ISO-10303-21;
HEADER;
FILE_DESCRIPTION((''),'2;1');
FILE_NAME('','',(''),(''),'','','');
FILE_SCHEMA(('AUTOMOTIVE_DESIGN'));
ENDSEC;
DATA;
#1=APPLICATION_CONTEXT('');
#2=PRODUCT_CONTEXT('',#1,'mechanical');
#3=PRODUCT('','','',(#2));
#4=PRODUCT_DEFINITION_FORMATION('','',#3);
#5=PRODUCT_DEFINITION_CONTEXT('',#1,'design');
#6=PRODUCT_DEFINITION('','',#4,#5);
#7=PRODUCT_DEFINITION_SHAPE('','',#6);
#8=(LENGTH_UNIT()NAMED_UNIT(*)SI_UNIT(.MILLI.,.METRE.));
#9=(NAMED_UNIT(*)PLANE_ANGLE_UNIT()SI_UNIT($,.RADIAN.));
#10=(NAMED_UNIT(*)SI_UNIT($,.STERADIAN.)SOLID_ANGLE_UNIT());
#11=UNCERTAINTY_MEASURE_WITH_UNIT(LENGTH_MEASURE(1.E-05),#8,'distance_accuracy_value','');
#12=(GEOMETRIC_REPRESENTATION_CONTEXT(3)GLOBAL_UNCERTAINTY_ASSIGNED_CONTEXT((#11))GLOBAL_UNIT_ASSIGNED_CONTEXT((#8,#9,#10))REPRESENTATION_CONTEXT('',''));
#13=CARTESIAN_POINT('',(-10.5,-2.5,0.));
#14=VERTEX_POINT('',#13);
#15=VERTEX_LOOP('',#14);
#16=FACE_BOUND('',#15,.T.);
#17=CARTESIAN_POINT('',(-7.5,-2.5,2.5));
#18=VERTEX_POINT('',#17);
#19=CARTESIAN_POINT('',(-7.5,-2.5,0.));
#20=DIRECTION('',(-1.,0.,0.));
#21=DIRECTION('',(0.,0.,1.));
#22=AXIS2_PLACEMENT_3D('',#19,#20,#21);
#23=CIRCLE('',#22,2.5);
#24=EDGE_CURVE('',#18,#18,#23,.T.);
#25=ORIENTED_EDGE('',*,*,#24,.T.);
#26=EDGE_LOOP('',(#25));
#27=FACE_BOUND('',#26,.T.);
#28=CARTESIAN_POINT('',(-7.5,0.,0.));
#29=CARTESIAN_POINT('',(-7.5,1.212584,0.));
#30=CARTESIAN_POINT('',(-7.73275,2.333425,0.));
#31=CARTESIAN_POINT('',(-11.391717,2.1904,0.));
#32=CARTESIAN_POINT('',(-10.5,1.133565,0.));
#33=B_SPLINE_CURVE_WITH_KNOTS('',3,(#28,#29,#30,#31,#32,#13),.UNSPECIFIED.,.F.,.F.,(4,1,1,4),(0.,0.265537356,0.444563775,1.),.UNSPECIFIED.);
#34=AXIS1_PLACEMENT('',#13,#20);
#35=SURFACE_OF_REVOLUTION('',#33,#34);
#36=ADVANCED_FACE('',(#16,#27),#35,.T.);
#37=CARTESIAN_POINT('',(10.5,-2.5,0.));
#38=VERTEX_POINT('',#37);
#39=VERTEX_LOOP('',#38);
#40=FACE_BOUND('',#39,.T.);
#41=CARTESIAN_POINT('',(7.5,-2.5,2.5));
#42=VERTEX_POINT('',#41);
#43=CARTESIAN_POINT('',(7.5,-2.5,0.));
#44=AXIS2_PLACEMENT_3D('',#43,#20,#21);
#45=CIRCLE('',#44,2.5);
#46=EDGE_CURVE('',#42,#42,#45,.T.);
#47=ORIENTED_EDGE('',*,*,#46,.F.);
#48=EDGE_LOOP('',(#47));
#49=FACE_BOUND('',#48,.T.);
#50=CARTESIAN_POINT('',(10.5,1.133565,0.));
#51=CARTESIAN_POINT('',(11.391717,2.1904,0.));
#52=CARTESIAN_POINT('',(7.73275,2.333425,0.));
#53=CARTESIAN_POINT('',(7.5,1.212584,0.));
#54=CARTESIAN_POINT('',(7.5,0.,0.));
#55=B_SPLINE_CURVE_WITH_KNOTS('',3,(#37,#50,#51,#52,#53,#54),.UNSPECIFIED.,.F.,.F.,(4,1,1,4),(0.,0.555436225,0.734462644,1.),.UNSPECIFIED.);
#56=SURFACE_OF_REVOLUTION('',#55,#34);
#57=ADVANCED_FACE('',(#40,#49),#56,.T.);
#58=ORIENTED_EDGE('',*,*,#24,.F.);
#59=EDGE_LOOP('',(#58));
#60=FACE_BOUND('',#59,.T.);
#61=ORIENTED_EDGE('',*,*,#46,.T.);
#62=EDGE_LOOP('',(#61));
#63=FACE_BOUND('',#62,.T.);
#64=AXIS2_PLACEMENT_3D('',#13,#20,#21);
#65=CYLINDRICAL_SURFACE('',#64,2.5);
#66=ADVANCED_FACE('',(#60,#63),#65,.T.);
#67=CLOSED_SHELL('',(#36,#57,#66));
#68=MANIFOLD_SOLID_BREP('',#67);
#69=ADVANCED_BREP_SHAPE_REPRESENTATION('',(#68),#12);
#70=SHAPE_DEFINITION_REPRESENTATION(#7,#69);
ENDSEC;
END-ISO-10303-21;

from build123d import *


with BuildPart() as part:
    # Sketch1 → Revolve1 (revolve)
    with BuildSketch(Plane.XY):
        with BuildLine():
            Line((-7.5, 0), (7.5, 0))
            add(Edge.make_bspline(
                [(7.5, 0), (7.5, 1.212584137), (7.732749838, 2.333425204), (11.391717028, 2.19039985), (10.5, 1.133564637), (10.5, -2.5)],
                knots=[0, 0, 0, 0, 0.265537356, 0.444563775, 1, 1, 1, 1], degree=3))
            Line((10.5, -2.5), (-10.5, -2.5))
            add(Edge.make_bspline(
                [(-7.5, 0), (-7.5, 1.212584137), (-7.732749838, 2.333425204), (-11.391717028, 2.19039985), (-10.5, 1.133564637), (-10.5, -2.5)],
                knots=[0, 0, 0, 0, 0.265537356, 0.444563775, 1, 1, 1, 1], degree=3))
        make_face()
    revolve(axis=Axis((-10.5, -2.5, 0), (1, 0, 0)))


solid = part.part
